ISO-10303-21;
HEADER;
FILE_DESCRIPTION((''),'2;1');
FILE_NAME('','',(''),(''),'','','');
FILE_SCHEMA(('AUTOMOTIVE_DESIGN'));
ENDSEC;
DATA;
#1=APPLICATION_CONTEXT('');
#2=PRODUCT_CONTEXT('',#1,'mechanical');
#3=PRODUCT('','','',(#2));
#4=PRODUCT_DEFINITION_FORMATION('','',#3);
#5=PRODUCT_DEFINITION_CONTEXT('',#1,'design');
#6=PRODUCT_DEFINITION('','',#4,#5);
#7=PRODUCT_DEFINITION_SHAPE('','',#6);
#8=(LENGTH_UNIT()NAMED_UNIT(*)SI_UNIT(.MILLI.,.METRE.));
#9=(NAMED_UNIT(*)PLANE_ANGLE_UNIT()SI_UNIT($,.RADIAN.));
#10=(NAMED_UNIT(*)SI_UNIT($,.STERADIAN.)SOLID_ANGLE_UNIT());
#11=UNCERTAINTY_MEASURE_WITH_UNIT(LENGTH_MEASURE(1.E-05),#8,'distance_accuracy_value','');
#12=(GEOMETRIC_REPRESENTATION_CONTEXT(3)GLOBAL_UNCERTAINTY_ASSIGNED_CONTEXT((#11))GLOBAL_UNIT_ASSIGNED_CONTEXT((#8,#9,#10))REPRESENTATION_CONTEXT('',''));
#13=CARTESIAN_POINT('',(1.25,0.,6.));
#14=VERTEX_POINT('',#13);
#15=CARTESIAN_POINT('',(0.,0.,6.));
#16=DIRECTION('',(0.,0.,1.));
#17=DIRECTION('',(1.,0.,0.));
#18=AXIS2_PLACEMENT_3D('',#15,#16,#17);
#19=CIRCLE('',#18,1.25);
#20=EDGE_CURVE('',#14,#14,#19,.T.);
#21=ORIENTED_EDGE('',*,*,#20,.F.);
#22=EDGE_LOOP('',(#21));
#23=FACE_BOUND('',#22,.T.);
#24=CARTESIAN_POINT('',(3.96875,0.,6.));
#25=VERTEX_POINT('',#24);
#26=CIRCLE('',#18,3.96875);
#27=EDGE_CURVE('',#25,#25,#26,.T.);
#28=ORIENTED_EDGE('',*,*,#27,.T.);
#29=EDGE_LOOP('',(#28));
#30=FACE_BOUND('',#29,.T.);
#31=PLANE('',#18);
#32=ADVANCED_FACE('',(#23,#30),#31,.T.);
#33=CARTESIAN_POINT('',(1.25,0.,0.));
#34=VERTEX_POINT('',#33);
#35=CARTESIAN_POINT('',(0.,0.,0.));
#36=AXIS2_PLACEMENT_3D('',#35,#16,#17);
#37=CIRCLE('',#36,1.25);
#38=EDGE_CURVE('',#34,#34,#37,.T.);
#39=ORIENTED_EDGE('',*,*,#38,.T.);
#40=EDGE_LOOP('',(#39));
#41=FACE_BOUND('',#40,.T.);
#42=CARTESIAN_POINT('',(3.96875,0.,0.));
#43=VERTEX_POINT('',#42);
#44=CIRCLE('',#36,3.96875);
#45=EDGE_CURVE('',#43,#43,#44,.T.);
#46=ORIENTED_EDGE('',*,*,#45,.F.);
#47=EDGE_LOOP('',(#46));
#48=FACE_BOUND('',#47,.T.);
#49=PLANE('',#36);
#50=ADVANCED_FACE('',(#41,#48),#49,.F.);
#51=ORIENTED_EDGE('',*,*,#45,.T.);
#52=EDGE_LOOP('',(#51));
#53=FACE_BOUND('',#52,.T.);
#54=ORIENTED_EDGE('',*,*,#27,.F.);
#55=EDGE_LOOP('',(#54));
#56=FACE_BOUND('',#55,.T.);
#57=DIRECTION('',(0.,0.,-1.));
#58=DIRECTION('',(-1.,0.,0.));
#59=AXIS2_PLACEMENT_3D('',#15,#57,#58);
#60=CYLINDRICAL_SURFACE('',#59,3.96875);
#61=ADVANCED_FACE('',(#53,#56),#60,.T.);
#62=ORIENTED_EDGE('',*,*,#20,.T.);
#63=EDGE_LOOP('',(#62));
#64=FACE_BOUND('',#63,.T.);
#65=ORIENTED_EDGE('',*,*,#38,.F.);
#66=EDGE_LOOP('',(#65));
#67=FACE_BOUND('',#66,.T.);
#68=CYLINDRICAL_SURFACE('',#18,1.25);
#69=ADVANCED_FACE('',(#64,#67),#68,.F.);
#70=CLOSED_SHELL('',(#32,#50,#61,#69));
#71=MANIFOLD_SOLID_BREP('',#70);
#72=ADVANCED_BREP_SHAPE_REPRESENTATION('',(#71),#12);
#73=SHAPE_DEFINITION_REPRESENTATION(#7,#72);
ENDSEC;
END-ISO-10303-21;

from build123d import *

# Parameters (mm, degrees)
SKETCH1_R                   = 3.96875
BOSS_EXTRUDE1_DEPTH         = 6
TAP_DRILL_FOR_M3X0_5_TAP1_D = 2.5


with BuildPart() as part:
    # Sketch1 → Boss-Extrude1 (new body)
    with BuildSketch(Plane.XY):
        Circle(SKETCH1_R)
    extrude(amount=BOSS_EXTRUDE1_DEPTH)

    # Tap Drill for M3x0.5 Tap1 (through all)
    with Locations(Plane.XY.offset(6)):
        with Locations((0, 0)):
            Hole(TAP_DRILL_FOR_M3X0_5_TAP1_D / 2)


solid = part.part
